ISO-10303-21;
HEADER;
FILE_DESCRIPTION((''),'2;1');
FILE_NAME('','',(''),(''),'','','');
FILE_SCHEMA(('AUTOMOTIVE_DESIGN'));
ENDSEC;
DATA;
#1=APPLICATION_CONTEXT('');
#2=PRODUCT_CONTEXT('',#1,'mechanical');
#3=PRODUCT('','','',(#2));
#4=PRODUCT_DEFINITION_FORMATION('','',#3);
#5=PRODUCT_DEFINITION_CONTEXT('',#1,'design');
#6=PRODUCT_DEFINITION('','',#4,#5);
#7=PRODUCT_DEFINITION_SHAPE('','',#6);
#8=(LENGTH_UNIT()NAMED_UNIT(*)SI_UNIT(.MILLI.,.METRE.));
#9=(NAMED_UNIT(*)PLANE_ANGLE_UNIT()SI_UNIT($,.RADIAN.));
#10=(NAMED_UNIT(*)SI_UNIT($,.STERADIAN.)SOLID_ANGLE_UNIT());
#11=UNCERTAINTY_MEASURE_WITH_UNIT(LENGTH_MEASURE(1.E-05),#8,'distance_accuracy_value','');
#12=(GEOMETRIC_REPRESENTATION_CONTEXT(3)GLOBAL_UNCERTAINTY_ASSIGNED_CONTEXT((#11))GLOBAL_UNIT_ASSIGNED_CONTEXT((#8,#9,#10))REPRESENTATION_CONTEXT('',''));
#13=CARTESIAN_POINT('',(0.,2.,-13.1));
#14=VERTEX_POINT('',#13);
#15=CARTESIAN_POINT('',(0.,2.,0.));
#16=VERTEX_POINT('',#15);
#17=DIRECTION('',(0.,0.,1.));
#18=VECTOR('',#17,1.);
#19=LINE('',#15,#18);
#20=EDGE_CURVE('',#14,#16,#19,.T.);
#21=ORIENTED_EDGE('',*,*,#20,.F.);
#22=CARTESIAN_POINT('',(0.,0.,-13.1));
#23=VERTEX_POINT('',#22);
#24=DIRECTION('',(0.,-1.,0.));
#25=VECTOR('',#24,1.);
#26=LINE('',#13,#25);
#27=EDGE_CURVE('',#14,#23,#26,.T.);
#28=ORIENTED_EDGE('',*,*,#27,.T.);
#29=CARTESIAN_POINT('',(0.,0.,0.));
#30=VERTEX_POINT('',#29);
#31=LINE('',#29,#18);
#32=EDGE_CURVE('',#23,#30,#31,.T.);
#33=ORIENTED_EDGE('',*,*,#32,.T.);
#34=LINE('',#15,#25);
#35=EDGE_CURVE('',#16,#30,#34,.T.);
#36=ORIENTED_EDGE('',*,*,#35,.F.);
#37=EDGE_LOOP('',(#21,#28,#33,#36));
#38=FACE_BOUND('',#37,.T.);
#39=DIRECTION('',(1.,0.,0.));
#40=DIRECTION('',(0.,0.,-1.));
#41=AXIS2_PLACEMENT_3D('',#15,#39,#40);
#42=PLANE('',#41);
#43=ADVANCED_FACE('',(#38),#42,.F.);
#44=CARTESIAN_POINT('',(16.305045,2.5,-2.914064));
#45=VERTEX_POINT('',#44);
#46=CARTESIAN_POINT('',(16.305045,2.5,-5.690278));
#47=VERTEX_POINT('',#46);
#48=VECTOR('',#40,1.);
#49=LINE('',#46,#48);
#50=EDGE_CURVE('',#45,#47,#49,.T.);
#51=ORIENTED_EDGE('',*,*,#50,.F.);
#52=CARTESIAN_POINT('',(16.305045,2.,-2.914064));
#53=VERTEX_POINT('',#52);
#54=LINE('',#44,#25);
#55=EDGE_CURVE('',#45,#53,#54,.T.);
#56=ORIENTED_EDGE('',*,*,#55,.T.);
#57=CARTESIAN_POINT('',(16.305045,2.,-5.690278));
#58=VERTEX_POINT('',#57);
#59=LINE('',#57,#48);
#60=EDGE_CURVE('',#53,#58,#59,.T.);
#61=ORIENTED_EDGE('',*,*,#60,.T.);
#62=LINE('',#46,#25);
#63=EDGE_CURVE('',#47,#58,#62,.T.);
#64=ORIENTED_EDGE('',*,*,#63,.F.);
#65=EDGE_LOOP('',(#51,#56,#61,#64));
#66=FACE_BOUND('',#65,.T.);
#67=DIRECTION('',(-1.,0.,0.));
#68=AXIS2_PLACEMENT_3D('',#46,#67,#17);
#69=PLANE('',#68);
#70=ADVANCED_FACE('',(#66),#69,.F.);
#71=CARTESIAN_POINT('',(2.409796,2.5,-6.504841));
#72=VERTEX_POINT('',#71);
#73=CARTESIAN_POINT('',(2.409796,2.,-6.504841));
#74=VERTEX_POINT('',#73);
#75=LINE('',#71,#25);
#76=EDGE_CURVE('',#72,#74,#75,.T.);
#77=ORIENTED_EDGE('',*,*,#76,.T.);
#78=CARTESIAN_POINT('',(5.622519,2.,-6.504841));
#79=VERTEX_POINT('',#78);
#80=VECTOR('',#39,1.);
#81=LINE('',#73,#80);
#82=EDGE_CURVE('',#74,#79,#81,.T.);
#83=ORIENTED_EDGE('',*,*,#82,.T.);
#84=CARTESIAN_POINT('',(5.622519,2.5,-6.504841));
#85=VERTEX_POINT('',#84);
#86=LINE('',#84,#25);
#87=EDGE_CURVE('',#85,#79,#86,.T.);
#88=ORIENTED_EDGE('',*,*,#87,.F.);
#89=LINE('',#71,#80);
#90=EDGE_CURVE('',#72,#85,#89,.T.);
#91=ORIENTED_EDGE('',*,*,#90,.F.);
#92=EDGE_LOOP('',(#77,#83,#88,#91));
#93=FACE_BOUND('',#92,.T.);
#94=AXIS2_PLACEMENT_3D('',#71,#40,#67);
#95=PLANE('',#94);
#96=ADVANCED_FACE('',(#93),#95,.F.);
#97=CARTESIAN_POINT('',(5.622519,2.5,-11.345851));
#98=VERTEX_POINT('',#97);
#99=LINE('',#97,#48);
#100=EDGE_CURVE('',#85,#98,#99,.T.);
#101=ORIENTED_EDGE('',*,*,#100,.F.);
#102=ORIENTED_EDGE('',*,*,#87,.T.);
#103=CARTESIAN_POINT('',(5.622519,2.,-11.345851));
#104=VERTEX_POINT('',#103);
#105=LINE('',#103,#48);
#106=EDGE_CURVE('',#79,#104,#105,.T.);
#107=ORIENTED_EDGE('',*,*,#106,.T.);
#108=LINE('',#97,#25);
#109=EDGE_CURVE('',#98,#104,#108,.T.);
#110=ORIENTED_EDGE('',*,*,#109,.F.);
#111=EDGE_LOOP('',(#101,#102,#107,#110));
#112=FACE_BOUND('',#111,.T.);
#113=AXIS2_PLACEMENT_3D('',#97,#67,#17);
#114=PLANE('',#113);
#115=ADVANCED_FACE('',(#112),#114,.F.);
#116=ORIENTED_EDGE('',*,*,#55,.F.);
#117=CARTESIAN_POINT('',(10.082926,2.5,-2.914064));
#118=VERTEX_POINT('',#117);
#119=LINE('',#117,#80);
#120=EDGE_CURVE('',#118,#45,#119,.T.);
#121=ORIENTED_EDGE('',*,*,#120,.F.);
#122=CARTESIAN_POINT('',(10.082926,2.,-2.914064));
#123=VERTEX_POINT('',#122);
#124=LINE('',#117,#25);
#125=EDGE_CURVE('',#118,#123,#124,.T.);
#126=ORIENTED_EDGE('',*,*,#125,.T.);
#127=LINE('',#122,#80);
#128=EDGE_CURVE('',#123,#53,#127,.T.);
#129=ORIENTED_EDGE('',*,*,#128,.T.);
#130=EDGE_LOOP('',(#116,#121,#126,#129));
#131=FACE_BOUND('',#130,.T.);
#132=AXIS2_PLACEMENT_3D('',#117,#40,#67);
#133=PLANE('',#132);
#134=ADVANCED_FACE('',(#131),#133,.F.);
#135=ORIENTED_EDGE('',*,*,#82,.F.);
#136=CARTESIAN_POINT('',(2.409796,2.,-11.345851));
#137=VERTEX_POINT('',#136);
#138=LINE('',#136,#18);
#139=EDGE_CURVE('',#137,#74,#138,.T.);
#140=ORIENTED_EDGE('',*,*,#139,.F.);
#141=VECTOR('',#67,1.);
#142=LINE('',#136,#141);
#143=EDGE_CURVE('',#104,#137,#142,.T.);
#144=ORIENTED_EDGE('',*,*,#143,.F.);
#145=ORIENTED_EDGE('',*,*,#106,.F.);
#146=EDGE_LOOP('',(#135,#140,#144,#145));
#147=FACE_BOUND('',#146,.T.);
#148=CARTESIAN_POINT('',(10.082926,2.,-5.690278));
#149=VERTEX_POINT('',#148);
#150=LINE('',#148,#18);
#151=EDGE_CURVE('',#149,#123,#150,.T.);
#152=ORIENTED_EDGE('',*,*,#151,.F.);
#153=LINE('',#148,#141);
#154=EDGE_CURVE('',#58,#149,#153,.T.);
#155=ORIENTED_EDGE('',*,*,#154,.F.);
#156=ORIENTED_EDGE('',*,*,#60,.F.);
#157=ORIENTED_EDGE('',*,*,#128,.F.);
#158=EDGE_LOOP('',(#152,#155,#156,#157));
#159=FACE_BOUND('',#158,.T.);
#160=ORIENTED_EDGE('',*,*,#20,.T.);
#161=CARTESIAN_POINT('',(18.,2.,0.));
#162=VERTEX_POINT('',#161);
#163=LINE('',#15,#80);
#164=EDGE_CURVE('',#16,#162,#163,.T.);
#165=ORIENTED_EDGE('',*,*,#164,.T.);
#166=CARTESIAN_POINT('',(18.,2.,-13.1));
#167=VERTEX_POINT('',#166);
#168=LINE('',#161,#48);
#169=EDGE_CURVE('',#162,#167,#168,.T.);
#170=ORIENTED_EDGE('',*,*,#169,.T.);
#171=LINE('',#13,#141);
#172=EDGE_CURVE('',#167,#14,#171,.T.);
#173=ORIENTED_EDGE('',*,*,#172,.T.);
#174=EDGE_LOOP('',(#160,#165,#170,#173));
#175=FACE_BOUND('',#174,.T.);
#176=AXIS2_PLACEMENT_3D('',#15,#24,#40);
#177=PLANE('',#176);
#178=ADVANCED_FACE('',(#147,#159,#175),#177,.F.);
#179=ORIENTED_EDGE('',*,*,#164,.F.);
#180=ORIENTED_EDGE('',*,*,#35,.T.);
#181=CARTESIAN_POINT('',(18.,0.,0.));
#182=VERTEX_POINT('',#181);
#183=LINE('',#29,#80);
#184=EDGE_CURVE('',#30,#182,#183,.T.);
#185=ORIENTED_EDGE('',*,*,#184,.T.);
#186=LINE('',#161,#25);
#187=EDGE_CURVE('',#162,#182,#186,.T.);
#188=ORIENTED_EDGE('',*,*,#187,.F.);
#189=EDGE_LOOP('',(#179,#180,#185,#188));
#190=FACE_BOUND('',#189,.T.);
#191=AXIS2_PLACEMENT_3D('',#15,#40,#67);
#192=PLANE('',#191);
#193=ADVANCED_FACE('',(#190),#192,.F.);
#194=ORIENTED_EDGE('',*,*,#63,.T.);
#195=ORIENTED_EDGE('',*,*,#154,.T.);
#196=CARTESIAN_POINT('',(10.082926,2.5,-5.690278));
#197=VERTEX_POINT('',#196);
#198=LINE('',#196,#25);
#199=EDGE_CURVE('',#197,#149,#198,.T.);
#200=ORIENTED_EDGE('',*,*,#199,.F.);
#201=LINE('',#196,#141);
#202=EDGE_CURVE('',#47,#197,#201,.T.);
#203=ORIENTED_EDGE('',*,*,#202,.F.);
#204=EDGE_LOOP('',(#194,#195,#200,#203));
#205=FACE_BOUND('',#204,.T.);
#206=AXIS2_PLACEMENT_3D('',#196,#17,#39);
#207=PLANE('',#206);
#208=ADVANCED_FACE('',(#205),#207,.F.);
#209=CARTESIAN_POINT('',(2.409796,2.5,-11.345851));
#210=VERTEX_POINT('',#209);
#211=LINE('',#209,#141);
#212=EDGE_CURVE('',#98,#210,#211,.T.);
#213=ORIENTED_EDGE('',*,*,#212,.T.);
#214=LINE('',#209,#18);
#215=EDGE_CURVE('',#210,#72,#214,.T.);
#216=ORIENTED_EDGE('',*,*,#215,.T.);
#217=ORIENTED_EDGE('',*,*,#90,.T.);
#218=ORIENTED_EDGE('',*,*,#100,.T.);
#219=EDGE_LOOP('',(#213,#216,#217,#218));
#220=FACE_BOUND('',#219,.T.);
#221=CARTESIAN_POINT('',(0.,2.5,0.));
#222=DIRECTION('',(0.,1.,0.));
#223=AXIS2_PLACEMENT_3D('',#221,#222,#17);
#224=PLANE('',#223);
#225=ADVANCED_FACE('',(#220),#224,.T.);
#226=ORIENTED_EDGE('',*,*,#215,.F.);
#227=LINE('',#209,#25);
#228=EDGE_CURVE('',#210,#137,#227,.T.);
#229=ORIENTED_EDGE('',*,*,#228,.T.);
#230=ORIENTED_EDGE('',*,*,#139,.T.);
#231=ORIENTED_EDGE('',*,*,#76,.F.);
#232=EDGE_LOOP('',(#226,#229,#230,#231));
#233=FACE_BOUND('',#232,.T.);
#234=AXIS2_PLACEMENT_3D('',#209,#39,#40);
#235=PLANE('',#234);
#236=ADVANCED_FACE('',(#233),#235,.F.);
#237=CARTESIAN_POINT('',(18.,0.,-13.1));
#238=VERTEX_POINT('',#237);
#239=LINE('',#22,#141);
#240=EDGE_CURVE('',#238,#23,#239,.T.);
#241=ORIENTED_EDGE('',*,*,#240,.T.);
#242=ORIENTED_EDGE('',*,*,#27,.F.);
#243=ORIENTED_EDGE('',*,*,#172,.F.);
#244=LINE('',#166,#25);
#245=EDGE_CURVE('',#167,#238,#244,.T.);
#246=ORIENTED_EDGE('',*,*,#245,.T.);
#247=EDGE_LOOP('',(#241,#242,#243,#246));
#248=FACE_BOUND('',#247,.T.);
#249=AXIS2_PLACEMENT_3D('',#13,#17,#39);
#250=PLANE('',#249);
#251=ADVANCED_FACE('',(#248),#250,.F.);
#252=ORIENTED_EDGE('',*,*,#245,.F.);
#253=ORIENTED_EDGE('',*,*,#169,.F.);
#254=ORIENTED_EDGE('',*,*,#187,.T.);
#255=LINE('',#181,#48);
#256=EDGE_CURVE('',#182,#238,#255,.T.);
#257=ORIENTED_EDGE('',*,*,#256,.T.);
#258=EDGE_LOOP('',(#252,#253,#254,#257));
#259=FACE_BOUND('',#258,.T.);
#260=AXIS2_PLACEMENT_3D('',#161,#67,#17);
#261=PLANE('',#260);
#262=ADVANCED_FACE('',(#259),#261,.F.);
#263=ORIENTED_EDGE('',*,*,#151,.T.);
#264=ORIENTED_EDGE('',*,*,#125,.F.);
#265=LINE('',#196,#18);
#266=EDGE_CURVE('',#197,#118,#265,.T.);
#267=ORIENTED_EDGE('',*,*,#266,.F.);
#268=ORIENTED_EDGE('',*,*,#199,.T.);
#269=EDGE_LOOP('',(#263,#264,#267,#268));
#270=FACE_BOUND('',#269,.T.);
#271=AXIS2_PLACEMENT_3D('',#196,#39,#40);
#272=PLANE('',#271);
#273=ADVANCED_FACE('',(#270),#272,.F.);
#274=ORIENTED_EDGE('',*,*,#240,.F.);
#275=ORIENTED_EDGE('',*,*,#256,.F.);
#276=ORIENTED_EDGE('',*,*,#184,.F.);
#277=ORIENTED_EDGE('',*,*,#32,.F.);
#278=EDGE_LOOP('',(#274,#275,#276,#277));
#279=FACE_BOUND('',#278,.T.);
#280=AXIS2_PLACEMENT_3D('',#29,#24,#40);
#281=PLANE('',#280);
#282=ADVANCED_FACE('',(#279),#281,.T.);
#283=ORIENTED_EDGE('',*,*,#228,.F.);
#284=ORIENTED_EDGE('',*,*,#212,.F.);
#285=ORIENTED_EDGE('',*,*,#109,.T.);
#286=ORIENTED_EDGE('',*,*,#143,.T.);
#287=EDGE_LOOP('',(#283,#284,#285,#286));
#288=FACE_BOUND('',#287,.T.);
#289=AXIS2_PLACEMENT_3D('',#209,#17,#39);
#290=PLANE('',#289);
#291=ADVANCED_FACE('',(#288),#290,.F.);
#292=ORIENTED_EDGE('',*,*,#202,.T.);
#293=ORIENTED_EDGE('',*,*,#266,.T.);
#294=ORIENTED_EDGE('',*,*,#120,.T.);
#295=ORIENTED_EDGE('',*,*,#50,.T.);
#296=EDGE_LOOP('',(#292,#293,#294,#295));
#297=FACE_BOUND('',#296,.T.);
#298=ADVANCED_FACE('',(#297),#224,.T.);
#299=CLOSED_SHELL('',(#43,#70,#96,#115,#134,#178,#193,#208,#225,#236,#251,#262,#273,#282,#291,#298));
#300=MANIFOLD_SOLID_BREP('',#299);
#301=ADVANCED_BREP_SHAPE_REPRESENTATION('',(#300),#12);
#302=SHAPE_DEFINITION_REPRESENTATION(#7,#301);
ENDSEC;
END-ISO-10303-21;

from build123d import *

# Parameters (mm, degrees)
SKETCH1_W           = 18
SKETCH1_H           = 13.1
BOSS_EXTRUDE1_DEPTH = 2
SKETCH2_W           = 3.212723326
SKETCH2_H           = 4.841010911
SKETCH2_W_2         = 6.22211932
SKETCH2_H_2         = 2.776214037
BOSS_EXTRUDE2_DEPTH = 0.5


with BuildPart() as part:
    # Sketch1 → Boss-Extrude1 (new body)
    with BuildSketch(Plane(origin=(0, 0, 0), x_dir=(1, 0, 0), z_dir=(0, 1, 0))):
        with Locations((9, 6.55)):
            Rectangle(SKETCH1_W, SKETCH1_H)
    extrude(amount=BOSS_EXTRUDE1_DEPTH)

    # Sketch2 → Boss-Extrude2 (add)
    with BuildSketch(Plane(origin=(0, 2, 0), x_dir=(1, 0, 0), z_dir=(0, 1, 0))):
        with Locations((4.016157197, 8.925346003)):
            Rectangle(SKETCH2_W, SKETCH2_H)
        with Locations((13.193985763, 4.302170731)):
            Rectangle(SKETCH2_W_2, SKETCH2_H_2)
    extrude(amount=BOSS_EXTRUDE2_DEPTH)


solid = part.part
